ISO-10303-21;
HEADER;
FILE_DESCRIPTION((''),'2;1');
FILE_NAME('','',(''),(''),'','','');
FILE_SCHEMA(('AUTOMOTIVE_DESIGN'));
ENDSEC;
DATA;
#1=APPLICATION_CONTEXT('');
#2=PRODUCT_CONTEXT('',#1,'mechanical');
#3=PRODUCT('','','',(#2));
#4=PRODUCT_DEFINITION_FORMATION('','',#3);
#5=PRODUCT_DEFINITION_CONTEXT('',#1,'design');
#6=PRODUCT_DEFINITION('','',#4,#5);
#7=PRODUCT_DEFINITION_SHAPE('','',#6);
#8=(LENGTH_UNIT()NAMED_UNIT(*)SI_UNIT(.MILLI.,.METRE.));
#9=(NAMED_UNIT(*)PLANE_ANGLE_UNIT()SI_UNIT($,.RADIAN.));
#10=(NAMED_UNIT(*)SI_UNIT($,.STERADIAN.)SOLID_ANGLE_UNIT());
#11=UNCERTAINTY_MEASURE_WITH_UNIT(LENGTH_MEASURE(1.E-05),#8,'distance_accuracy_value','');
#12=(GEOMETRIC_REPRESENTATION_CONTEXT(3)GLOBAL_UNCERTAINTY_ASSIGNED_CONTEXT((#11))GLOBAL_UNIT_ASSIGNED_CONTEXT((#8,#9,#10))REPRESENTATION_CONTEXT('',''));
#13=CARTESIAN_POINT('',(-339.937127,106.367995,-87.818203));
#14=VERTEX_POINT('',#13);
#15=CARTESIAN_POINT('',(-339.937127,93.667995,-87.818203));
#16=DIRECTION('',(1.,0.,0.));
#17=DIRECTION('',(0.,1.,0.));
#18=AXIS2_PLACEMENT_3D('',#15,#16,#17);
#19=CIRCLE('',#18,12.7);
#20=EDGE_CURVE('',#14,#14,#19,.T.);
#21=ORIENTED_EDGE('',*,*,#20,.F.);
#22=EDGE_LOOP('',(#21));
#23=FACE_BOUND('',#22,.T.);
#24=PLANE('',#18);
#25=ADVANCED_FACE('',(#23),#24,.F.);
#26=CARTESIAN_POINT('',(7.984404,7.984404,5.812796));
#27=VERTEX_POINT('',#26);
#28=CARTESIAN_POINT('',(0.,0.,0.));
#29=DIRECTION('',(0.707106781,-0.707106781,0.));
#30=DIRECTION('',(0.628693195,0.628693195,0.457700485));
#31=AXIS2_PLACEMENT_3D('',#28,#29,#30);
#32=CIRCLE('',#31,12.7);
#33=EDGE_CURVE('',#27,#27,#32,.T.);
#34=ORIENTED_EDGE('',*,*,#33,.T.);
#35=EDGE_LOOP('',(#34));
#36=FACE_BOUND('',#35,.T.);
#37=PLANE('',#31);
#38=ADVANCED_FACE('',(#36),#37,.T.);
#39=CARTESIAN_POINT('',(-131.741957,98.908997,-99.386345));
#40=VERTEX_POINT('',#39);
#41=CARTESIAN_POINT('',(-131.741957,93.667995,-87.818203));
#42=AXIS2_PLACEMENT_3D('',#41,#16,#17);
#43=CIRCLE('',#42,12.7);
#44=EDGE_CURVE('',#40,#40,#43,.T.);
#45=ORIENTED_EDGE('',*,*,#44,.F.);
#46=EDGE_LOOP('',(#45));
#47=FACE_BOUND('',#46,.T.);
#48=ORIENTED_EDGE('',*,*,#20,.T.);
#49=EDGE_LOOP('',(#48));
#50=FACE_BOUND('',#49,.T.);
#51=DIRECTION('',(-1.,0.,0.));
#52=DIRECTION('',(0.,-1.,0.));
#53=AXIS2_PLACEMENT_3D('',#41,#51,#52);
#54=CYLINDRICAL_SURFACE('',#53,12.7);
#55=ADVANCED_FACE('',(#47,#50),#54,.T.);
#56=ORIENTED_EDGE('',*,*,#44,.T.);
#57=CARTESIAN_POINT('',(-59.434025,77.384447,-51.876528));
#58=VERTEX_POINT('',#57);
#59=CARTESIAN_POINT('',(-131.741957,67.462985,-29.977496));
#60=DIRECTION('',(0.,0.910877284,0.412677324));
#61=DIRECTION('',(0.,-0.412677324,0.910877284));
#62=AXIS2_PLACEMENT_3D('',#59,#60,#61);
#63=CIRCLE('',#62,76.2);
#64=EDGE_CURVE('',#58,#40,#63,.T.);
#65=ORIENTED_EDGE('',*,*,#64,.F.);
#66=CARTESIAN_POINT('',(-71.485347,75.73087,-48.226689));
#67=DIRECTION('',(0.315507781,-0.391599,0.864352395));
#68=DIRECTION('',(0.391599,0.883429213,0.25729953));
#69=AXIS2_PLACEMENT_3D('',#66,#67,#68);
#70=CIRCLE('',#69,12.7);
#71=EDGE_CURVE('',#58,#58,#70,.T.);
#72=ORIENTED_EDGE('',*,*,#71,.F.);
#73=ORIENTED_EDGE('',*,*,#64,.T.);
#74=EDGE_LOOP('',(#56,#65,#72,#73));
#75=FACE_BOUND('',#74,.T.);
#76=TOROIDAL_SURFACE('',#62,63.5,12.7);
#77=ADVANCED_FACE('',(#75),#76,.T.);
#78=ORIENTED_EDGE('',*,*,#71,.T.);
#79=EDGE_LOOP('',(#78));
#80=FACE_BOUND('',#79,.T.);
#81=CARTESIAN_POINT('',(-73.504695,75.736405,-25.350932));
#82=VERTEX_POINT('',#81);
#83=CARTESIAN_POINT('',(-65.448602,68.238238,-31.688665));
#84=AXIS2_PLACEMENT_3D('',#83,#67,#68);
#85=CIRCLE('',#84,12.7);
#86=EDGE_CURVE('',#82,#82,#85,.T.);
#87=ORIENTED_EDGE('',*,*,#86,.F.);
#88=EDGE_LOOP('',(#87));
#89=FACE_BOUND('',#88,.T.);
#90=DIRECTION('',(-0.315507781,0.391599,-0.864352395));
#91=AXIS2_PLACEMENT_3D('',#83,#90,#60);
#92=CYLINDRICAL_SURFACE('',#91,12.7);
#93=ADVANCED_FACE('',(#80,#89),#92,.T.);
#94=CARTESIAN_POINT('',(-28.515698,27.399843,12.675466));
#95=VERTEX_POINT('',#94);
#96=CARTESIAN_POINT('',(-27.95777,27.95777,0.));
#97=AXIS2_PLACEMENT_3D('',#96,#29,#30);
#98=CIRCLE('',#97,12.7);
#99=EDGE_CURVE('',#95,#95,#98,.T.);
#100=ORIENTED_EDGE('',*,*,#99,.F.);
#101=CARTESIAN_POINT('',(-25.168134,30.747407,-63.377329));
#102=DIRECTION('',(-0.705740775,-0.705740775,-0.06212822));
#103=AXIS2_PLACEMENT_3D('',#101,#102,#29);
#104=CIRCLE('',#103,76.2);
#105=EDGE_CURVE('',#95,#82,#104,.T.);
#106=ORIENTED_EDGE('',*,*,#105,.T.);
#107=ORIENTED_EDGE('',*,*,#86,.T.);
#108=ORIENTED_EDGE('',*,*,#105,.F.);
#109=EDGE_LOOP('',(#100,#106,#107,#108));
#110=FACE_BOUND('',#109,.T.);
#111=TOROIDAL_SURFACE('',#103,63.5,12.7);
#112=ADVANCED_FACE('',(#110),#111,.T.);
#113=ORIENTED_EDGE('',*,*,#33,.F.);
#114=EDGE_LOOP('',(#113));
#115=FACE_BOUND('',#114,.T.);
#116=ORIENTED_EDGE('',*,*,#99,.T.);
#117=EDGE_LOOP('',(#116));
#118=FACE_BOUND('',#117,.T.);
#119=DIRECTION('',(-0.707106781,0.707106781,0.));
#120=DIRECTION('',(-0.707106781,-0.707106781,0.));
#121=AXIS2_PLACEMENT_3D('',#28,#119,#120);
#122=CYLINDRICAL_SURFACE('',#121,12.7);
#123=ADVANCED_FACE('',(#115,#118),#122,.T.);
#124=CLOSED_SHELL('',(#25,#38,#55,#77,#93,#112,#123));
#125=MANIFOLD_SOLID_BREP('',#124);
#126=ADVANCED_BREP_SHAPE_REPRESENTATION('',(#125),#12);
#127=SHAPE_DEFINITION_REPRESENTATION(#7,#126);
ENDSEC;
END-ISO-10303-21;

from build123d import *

# Parameters (mm, degrees)
SWEEP1_PROFILE_R = 12.7


with BuildPart() as part:
    # Sweep1: sweep along a curve in space
    with BuildLine() as sweep1_path:
        Line((0, 0, 0), (-27.957770282, 27.957770282, 0))
        ThreePointArc((-27.957770282, 27.957770282, 0), (-50.03467014, 50.782151029, -8.490952087), (-65.448601622, 68.238238275, -31.688664593))
        Line((-65.448601622, 68.238238275, -31.688664593), (-71.485347108, 75.730869643, -48.226689119))
        ThreePointArc((-71.485347108, 75.730869643, -48.226689119), (-94.593311277, 88.715779611, -76.887482501), (-131.741956946, 93.667995145, -87.818203358))
        Line((-131.741956946, 93.667995145, -87.818203358), (-339.937127276, 93.667995145, -87.818203358))
    # Sweep1 profile (on start of the path) → Sweep1 (sweep)
    with BuildSketch(Plane(origin=(0, 0, 0), x_dir=(0.707106781, 0.707106781, 0), z_dir=(-0.707106781, 0.707106781, 0))):
        Circle(SWEEP1_PROFILE_R)
    sweep(path=sweep1_path.line)


solid = part.part
